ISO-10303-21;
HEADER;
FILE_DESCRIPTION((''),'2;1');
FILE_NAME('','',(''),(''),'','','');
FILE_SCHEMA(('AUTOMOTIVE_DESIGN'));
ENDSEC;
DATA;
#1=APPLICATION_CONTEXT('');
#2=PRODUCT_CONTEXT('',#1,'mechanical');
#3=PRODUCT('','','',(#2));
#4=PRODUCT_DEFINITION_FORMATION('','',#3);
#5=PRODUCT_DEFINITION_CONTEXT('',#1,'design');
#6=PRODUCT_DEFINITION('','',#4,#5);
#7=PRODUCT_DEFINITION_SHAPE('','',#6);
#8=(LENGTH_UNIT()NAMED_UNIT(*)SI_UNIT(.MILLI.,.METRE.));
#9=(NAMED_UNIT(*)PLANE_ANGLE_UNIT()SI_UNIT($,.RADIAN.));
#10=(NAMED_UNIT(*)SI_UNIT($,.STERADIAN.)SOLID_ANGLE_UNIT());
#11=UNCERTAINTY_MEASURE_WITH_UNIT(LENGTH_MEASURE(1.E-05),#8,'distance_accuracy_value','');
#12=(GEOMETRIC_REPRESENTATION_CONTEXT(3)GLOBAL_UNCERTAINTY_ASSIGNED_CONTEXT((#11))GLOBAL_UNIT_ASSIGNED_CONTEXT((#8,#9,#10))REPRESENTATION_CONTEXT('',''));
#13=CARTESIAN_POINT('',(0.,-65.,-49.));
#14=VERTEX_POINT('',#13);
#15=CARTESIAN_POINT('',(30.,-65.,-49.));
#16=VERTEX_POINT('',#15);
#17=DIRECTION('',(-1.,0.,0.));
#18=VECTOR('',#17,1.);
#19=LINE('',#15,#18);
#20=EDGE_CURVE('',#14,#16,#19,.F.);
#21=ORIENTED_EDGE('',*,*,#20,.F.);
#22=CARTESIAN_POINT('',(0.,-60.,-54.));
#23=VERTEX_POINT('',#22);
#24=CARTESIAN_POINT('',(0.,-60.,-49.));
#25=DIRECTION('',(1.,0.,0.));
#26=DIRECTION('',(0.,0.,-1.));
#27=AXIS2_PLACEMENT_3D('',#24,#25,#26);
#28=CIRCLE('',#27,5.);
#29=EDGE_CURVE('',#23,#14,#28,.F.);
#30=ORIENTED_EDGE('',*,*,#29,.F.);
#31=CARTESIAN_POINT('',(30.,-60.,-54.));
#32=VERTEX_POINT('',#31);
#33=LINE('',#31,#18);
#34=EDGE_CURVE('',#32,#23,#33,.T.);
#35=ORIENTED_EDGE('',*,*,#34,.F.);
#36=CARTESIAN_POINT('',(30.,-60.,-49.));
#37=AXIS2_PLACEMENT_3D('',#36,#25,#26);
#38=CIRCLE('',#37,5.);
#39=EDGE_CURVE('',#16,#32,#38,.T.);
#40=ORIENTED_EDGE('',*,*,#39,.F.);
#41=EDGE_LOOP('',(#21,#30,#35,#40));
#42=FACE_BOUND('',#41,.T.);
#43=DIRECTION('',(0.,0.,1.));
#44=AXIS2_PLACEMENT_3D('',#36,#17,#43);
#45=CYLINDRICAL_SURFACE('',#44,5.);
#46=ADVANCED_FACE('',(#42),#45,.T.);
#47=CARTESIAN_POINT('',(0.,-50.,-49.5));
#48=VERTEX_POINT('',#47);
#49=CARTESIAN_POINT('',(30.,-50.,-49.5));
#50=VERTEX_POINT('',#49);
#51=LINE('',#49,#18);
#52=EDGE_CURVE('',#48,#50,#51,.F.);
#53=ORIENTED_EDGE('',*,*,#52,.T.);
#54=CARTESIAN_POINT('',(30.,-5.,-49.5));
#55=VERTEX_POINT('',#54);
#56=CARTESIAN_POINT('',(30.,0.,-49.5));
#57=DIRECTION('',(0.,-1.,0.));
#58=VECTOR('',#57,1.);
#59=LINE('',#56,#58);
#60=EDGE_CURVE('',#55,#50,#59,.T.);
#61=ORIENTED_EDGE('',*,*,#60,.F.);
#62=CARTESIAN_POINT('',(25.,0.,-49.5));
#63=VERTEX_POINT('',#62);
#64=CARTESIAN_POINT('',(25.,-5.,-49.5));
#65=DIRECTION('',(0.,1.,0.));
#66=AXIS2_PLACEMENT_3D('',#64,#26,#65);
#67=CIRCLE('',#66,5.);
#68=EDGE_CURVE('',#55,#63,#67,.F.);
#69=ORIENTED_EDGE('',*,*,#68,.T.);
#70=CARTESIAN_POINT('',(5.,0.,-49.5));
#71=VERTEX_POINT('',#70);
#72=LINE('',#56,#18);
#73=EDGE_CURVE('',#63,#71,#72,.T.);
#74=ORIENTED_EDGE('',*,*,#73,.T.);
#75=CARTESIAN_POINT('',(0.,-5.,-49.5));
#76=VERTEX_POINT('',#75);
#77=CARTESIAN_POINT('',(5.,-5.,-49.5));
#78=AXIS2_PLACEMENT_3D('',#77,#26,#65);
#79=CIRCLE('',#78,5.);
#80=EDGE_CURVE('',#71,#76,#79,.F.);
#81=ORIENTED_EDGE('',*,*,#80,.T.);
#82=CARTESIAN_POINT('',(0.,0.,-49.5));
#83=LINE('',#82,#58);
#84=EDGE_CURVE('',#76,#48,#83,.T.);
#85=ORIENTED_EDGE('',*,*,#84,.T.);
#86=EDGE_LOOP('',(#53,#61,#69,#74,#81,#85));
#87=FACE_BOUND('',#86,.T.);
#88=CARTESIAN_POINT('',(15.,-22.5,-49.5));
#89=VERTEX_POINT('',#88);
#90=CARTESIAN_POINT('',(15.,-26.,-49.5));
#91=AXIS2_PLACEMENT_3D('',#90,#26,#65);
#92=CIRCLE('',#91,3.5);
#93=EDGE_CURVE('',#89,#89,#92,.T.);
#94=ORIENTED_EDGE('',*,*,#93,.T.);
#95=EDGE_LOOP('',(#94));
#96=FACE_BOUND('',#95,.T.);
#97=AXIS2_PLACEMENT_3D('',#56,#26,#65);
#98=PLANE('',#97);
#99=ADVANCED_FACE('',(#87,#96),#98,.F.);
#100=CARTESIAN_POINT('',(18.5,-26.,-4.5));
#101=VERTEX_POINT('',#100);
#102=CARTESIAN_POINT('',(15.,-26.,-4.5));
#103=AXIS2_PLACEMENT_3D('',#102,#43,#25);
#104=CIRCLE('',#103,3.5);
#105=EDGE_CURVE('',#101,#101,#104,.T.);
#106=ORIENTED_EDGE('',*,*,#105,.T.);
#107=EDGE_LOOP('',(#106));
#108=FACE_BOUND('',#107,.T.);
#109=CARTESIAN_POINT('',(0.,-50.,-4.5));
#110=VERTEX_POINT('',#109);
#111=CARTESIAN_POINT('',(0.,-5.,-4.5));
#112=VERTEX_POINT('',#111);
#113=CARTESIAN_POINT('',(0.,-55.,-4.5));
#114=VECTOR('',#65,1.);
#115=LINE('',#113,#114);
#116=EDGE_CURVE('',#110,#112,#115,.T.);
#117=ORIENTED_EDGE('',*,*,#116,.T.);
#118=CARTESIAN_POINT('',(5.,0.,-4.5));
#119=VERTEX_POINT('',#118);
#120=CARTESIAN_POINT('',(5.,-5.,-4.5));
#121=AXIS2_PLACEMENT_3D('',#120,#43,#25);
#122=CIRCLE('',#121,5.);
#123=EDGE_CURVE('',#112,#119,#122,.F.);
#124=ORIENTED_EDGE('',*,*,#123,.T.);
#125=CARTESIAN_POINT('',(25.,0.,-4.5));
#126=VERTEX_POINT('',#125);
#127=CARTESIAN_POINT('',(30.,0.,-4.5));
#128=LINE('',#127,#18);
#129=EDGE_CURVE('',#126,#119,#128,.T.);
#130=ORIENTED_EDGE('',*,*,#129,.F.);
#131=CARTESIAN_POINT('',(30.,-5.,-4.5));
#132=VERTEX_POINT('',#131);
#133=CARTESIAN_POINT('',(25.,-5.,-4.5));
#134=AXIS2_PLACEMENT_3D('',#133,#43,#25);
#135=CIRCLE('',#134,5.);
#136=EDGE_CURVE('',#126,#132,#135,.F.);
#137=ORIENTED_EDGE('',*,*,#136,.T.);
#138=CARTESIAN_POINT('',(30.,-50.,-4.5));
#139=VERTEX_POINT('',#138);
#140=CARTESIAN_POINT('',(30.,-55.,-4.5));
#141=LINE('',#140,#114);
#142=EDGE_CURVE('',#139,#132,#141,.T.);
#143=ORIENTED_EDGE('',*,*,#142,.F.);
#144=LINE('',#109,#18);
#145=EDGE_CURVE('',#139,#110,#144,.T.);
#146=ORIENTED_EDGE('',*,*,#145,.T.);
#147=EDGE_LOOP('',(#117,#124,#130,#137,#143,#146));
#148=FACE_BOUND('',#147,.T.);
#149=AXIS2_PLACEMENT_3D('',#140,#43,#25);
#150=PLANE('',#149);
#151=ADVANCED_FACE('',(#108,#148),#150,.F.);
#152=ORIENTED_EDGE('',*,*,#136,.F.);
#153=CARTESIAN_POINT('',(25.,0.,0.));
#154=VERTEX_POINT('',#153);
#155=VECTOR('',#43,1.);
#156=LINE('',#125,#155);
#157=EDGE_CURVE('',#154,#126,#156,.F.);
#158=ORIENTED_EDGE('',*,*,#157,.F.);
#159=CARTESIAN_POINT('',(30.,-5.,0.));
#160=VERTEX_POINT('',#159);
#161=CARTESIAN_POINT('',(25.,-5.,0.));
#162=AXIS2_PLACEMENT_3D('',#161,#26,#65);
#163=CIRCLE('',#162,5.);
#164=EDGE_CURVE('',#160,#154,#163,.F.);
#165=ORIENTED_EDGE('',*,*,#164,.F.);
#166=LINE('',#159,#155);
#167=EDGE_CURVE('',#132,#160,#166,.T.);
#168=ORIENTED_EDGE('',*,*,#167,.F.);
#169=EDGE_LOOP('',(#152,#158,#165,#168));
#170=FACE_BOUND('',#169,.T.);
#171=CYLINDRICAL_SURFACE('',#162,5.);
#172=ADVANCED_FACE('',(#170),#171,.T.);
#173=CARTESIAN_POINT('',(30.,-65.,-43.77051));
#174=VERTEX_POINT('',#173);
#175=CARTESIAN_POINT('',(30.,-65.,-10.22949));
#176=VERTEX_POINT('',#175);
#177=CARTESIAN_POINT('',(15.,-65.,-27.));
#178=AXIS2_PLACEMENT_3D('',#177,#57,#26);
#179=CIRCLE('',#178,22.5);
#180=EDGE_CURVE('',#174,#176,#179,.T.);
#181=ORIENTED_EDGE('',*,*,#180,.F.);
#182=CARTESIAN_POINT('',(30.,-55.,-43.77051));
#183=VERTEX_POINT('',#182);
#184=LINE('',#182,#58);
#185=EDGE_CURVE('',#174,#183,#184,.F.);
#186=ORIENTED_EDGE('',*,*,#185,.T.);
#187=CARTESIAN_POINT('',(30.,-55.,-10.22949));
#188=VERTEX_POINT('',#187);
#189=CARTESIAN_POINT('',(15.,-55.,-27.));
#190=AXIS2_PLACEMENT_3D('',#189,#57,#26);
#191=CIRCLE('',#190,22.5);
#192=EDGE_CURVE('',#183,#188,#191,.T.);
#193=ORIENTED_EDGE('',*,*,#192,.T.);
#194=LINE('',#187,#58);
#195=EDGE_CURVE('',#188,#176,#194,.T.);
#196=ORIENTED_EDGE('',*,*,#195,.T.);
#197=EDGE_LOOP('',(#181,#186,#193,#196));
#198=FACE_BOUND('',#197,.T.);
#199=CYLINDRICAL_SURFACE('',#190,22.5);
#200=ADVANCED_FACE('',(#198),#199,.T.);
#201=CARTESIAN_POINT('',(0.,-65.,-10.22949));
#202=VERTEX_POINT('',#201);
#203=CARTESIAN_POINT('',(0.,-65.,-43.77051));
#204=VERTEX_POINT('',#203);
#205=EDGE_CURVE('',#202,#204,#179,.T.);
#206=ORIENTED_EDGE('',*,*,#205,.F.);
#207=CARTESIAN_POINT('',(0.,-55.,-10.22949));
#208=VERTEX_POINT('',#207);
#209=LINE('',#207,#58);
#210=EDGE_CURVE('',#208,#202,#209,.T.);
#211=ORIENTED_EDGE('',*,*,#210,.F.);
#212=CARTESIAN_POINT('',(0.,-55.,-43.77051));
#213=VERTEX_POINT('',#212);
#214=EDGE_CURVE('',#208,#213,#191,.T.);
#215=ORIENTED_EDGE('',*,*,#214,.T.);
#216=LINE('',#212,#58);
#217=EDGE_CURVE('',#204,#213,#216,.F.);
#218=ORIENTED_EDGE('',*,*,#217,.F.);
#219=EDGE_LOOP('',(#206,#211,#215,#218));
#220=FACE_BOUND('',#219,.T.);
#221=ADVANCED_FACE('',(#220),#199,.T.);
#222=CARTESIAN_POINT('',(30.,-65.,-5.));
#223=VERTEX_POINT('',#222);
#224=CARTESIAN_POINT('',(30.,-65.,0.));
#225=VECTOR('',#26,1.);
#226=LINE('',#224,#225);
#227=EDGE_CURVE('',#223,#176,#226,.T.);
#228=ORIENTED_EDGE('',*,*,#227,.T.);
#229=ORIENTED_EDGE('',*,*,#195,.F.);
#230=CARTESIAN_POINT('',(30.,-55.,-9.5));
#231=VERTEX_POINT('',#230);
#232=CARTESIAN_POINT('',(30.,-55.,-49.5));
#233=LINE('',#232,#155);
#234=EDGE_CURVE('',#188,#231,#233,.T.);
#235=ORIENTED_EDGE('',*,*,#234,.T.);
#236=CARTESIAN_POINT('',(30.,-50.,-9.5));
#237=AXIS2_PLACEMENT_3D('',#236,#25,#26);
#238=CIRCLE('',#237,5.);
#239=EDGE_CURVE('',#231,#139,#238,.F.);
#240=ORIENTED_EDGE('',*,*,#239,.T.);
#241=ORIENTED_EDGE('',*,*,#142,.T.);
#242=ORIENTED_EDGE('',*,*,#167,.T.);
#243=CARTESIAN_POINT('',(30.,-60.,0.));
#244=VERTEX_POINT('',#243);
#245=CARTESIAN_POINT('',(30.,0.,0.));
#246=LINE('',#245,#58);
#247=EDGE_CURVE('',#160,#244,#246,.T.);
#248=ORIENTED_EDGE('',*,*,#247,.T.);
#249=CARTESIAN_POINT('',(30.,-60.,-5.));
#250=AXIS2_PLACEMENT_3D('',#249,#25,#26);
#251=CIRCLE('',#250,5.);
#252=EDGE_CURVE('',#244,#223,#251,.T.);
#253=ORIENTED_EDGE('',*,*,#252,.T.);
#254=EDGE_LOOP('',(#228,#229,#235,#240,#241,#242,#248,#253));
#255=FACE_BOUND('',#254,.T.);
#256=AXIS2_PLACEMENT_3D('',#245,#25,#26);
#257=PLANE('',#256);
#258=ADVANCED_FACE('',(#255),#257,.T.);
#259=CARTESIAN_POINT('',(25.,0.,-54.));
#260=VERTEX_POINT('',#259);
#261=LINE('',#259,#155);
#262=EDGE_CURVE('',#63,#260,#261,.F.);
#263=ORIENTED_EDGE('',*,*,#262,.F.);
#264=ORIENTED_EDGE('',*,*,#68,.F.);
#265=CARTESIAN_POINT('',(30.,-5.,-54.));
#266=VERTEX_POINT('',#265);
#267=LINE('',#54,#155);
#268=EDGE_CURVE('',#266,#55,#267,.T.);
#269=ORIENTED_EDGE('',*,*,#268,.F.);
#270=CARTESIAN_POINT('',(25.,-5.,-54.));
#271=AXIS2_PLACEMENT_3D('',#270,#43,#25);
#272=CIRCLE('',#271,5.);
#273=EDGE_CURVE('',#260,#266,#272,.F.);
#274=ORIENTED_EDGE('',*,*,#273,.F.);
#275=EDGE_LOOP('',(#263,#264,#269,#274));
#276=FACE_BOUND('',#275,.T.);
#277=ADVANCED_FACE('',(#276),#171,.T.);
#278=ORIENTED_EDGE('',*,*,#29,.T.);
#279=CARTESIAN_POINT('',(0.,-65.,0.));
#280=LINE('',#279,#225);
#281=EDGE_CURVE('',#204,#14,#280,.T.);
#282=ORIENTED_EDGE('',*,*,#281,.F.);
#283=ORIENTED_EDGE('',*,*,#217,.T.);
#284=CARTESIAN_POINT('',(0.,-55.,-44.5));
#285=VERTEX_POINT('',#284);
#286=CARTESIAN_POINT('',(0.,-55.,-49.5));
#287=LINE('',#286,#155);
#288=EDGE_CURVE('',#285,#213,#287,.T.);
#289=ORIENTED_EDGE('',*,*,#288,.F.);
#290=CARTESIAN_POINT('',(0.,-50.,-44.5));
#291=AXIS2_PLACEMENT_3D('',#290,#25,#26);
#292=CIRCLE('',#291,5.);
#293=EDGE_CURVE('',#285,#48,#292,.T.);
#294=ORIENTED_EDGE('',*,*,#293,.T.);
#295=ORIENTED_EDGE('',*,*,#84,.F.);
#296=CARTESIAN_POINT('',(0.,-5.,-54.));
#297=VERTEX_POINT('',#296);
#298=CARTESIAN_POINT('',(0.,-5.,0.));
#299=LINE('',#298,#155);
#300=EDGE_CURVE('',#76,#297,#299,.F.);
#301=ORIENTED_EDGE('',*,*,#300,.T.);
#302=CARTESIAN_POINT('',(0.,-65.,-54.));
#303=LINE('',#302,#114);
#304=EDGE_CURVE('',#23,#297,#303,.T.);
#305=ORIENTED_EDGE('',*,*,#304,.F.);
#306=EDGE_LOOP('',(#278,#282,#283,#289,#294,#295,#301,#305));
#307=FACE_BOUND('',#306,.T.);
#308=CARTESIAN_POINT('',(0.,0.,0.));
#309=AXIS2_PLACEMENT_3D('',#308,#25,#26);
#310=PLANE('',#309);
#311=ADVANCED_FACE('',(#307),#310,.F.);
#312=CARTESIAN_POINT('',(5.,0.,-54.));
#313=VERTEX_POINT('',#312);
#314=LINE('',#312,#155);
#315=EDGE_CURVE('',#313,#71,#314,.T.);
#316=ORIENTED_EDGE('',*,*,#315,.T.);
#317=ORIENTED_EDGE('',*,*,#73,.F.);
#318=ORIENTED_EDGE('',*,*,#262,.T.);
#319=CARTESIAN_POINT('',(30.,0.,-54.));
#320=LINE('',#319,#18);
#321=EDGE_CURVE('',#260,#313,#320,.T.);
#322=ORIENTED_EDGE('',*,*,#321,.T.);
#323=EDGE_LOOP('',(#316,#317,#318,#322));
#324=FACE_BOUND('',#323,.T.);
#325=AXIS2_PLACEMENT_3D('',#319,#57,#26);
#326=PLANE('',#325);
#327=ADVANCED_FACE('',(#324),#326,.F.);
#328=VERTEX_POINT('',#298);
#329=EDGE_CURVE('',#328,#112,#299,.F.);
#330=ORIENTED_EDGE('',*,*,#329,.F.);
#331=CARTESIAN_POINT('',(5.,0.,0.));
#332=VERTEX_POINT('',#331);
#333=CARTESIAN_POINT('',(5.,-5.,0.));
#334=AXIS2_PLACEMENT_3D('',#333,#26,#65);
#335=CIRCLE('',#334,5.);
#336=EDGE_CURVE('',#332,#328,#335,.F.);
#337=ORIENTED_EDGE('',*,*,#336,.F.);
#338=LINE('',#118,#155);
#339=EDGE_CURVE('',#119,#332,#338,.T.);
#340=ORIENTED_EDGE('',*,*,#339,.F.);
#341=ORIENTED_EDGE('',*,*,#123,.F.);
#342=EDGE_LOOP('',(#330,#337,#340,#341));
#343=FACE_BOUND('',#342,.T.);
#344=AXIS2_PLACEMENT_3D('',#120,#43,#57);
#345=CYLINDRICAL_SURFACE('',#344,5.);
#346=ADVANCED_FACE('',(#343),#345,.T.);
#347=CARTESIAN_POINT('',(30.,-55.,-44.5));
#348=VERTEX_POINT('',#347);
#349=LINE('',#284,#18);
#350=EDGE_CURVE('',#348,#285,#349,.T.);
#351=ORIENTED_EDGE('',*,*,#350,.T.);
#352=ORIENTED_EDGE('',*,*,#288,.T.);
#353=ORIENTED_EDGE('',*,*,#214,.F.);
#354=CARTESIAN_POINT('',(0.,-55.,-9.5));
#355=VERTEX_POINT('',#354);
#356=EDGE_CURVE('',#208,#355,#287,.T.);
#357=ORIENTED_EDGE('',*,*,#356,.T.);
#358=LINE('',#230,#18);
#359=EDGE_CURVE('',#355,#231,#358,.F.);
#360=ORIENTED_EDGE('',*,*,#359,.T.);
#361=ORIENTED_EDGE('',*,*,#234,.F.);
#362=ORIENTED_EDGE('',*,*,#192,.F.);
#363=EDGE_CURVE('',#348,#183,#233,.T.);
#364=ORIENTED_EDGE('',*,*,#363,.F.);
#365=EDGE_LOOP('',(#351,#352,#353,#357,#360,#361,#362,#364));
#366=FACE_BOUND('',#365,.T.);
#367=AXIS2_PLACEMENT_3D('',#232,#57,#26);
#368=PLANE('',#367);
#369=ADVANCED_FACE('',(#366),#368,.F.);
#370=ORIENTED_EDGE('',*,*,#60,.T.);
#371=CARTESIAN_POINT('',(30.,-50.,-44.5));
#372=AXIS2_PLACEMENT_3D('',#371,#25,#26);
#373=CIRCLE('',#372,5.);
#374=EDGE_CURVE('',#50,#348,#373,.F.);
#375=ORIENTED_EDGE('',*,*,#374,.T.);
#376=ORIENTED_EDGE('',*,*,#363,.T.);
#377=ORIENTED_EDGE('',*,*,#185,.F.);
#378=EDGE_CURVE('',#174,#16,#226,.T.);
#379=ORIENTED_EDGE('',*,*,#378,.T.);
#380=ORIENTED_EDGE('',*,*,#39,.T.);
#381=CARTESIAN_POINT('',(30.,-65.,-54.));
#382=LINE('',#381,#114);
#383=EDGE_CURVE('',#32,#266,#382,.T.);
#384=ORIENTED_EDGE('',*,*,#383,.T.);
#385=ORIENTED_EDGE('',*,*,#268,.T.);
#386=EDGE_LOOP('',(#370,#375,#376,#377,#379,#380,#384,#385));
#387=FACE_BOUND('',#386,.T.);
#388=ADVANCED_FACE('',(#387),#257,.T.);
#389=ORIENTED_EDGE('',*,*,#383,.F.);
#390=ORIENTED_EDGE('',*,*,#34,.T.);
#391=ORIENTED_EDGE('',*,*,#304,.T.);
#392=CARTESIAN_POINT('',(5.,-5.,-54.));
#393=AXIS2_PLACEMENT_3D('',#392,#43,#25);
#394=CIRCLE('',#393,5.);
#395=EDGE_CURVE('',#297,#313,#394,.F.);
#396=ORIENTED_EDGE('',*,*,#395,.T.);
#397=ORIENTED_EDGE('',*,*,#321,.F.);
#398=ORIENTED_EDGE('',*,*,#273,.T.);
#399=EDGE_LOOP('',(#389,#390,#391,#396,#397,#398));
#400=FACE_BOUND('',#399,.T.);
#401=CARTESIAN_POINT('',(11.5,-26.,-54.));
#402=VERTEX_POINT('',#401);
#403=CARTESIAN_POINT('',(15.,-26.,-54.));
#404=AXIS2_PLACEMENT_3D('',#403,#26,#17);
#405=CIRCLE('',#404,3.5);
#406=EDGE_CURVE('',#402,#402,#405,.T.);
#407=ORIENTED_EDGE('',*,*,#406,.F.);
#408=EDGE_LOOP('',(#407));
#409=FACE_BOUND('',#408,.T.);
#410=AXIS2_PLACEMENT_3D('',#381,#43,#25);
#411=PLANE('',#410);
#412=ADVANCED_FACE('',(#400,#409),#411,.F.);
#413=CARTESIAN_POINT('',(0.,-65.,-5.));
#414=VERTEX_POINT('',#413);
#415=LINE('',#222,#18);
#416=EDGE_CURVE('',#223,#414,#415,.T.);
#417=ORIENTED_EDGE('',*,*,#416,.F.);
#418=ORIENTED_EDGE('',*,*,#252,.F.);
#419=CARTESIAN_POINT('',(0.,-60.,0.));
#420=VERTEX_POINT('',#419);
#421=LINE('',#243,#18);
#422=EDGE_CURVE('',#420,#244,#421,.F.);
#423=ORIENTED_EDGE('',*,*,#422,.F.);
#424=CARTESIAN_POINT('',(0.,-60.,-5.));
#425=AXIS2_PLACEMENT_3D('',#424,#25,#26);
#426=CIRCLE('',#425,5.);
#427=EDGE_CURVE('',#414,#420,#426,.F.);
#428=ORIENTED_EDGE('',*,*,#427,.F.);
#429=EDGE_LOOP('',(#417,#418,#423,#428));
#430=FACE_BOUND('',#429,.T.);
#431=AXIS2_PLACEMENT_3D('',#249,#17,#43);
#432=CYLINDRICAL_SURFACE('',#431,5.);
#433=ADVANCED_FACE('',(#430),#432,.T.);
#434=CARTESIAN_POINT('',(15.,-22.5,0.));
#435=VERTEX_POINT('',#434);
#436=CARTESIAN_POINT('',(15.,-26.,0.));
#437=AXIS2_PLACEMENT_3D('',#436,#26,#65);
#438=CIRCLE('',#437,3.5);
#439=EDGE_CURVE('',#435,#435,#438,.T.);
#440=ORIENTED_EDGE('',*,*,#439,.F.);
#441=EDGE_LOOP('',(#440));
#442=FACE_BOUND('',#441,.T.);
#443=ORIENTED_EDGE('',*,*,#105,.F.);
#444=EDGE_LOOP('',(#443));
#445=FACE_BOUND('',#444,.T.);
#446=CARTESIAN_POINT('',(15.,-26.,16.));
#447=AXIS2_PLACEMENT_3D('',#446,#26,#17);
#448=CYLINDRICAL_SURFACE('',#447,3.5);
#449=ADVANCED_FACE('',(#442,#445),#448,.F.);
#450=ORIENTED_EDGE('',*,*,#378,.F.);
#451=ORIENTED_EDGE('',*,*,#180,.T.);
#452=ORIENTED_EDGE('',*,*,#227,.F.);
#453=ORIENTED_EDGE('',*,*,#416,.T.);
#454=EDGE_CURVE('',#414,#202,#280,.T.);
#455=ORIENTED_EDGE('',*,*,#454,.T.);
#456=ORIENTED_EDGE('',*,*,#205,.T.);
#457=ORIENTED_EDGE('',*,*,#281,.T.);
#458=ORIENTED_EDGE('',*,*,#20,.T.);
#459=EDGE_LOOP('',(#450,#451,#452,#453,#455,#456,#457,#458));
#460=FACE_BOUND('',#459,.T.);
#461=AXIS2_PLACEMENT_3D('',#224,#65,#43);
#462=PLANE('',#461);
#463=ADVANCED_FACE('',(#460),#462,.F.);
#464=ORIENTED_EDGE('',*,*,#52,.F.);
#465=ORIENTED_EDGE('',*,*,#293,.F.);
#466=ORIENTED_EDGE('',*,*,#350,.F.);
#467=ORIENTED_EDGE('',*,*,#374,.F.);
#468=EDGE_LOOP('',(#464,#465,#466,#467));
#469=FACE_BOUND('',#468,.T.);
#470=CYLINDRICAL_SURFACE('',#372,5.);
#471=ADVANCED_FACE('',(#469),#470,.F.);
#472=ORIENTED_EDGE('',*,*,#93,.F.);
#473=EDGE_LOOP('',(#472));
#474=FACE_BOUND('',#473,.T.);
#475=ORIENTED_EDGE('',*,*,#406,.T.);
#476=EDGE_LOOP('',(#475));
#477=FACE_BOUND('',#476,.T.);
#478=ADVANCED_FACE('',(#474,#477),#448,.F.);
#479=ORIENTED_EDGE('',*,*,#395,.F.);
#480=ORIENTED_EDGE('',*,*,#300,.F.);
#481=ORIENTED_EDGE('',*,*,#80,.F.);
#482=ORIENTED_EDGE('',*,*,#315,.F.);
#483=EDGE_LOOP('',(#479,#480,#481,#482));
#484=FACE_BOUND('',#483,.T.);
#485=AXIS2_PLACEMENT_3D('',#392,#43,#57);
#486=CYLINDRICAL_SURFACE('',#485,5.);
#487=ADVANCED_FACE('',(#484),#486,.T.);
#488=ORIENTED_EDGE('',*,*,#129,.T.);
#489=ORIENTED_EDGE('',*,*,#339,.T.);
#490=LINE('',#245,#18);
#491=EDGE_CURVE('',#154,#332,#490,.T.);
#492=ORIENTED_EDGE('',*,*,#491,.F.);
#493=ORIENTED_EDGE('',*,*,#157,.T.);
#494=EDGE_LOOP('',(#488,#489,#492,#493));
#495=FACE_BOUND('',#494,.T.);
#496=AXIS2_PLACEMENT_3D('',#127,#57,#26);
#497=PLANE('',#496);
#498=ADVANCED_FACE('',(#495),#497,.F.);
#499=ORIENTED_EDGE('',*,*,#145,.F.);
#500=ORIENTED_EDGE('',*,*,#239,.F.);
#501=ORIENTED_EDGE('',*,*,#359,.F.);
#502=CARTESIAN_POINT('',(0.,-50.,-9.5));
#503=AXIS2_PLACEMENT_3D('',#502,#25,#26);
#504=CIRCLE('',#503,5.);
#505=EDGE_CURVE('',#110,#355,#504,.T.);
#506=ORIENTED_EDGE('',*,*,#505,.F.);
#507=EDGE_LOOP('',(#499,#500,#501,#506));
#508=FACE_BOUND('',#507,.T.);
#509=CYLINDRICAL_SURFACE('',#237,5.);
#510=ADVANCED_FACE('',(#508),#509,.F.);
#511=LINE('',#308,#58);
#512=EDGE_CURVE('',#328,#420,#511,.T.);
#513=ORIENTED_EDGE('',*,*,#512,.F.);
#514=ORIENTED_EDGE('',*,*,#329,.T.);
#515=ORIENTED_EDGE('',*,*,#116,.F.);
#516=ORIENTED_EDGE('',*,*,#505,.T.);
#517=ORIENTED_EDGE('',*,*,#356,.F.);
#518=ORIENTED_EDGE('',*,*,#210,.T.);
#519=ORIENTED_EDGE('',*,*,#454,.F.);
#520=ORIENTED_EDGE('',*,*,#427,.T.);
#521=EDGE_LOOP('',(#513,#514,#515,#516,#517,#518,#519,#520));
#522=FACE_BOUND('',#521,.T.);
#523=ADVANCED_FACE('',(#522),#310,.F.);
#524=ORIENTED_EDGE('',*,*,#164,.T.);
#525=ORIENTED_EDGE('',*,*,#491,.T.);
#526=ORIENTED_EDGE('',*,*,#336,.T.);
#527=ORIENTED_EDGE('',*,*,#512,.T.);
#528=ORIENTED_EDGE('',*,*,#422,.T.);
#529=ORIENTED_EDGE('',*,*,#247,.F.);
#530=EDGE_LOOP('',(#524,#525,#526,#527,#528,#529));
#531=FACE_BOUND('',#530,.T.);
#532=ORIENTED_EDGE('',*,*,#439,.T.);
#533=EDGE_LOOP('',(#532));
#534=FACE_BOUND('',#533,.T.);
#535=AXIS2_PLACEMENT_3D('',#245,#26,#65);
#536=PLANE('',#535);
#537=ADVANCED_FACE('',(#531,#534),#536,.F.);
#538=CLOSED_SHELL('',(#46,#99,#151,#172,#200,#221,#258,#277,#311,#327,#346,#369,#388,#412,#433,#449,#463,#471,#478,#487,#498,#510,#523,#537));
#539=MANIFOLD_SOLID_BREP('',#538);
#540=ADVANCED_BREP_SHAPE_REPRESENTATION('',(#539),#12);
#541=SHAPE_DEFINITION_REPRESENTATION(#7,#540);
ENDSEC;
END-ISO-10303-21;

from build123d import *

# Parameters (mm, degrees)
BOSS_EXTRUDE1_DEPTH = 30
SKETCH3_R           = 22.5
BOSS_EXTRUDE2_DEPTH = 10
FILLET2_R           = 5
SKETCH4_R           = 3.5
CUT_EXTRUDE1_DEPTH  = 70


with BuildPart() as part:
    # Sketch1 → Boss-Extrude1 (new body)
    with BuildSketch(Plane(origin=(0, 0, 0), x_dir=(0, 0, -1), z_dir=(1, 0, 0))):
        Polygon((0, 0), (0, -65), (54, -65), (54, 0), (49.5, 0), (49.5, -55), (4.5, -55), (4.5, 0), align=None)
    extrude(amount=BOSS_EXTRUDE1_DEPTH)

    # Sketch3 → Boss-Extrude2 (add)
    with BuildSketch(Plane.XZ.offset(65)):
        with Locations((15, -27)):
            Circle(SKETCH3_R)
    extrude(amount=-BOSS_EXTRUDE2_DEPTH)

    # Fillet2
    fillet2_edges = [part.edges().sort_by_distance(p)[0] for p in [
        (0, 0, -2.25),
        (15, -55, -4.5),
        (15, -55, -49.5),
        (15, -65, -54),
        (15, -65, 0),
        (30, 0, -51.75),
        (30, 0, -2.25),
        (0, 0, -51.75),
    ]]
    fillet(fillet2_edges, radius=FILLET2_R)

    # Sketch4 → Cut-Extrude1 (cut)
    with BuildSketch(Plane(origin=(0, 0, -54), x_dir=(-1, 0, 0), z_dir=(0, 0, -1))):
        with Locations((-15, -26)):
            Circle(SKETCH4_R)
    extrude(amount=-CUT_EXTRUDE1_DEPTH, mode=Mode.SUBTRACT)


solid = part.part
